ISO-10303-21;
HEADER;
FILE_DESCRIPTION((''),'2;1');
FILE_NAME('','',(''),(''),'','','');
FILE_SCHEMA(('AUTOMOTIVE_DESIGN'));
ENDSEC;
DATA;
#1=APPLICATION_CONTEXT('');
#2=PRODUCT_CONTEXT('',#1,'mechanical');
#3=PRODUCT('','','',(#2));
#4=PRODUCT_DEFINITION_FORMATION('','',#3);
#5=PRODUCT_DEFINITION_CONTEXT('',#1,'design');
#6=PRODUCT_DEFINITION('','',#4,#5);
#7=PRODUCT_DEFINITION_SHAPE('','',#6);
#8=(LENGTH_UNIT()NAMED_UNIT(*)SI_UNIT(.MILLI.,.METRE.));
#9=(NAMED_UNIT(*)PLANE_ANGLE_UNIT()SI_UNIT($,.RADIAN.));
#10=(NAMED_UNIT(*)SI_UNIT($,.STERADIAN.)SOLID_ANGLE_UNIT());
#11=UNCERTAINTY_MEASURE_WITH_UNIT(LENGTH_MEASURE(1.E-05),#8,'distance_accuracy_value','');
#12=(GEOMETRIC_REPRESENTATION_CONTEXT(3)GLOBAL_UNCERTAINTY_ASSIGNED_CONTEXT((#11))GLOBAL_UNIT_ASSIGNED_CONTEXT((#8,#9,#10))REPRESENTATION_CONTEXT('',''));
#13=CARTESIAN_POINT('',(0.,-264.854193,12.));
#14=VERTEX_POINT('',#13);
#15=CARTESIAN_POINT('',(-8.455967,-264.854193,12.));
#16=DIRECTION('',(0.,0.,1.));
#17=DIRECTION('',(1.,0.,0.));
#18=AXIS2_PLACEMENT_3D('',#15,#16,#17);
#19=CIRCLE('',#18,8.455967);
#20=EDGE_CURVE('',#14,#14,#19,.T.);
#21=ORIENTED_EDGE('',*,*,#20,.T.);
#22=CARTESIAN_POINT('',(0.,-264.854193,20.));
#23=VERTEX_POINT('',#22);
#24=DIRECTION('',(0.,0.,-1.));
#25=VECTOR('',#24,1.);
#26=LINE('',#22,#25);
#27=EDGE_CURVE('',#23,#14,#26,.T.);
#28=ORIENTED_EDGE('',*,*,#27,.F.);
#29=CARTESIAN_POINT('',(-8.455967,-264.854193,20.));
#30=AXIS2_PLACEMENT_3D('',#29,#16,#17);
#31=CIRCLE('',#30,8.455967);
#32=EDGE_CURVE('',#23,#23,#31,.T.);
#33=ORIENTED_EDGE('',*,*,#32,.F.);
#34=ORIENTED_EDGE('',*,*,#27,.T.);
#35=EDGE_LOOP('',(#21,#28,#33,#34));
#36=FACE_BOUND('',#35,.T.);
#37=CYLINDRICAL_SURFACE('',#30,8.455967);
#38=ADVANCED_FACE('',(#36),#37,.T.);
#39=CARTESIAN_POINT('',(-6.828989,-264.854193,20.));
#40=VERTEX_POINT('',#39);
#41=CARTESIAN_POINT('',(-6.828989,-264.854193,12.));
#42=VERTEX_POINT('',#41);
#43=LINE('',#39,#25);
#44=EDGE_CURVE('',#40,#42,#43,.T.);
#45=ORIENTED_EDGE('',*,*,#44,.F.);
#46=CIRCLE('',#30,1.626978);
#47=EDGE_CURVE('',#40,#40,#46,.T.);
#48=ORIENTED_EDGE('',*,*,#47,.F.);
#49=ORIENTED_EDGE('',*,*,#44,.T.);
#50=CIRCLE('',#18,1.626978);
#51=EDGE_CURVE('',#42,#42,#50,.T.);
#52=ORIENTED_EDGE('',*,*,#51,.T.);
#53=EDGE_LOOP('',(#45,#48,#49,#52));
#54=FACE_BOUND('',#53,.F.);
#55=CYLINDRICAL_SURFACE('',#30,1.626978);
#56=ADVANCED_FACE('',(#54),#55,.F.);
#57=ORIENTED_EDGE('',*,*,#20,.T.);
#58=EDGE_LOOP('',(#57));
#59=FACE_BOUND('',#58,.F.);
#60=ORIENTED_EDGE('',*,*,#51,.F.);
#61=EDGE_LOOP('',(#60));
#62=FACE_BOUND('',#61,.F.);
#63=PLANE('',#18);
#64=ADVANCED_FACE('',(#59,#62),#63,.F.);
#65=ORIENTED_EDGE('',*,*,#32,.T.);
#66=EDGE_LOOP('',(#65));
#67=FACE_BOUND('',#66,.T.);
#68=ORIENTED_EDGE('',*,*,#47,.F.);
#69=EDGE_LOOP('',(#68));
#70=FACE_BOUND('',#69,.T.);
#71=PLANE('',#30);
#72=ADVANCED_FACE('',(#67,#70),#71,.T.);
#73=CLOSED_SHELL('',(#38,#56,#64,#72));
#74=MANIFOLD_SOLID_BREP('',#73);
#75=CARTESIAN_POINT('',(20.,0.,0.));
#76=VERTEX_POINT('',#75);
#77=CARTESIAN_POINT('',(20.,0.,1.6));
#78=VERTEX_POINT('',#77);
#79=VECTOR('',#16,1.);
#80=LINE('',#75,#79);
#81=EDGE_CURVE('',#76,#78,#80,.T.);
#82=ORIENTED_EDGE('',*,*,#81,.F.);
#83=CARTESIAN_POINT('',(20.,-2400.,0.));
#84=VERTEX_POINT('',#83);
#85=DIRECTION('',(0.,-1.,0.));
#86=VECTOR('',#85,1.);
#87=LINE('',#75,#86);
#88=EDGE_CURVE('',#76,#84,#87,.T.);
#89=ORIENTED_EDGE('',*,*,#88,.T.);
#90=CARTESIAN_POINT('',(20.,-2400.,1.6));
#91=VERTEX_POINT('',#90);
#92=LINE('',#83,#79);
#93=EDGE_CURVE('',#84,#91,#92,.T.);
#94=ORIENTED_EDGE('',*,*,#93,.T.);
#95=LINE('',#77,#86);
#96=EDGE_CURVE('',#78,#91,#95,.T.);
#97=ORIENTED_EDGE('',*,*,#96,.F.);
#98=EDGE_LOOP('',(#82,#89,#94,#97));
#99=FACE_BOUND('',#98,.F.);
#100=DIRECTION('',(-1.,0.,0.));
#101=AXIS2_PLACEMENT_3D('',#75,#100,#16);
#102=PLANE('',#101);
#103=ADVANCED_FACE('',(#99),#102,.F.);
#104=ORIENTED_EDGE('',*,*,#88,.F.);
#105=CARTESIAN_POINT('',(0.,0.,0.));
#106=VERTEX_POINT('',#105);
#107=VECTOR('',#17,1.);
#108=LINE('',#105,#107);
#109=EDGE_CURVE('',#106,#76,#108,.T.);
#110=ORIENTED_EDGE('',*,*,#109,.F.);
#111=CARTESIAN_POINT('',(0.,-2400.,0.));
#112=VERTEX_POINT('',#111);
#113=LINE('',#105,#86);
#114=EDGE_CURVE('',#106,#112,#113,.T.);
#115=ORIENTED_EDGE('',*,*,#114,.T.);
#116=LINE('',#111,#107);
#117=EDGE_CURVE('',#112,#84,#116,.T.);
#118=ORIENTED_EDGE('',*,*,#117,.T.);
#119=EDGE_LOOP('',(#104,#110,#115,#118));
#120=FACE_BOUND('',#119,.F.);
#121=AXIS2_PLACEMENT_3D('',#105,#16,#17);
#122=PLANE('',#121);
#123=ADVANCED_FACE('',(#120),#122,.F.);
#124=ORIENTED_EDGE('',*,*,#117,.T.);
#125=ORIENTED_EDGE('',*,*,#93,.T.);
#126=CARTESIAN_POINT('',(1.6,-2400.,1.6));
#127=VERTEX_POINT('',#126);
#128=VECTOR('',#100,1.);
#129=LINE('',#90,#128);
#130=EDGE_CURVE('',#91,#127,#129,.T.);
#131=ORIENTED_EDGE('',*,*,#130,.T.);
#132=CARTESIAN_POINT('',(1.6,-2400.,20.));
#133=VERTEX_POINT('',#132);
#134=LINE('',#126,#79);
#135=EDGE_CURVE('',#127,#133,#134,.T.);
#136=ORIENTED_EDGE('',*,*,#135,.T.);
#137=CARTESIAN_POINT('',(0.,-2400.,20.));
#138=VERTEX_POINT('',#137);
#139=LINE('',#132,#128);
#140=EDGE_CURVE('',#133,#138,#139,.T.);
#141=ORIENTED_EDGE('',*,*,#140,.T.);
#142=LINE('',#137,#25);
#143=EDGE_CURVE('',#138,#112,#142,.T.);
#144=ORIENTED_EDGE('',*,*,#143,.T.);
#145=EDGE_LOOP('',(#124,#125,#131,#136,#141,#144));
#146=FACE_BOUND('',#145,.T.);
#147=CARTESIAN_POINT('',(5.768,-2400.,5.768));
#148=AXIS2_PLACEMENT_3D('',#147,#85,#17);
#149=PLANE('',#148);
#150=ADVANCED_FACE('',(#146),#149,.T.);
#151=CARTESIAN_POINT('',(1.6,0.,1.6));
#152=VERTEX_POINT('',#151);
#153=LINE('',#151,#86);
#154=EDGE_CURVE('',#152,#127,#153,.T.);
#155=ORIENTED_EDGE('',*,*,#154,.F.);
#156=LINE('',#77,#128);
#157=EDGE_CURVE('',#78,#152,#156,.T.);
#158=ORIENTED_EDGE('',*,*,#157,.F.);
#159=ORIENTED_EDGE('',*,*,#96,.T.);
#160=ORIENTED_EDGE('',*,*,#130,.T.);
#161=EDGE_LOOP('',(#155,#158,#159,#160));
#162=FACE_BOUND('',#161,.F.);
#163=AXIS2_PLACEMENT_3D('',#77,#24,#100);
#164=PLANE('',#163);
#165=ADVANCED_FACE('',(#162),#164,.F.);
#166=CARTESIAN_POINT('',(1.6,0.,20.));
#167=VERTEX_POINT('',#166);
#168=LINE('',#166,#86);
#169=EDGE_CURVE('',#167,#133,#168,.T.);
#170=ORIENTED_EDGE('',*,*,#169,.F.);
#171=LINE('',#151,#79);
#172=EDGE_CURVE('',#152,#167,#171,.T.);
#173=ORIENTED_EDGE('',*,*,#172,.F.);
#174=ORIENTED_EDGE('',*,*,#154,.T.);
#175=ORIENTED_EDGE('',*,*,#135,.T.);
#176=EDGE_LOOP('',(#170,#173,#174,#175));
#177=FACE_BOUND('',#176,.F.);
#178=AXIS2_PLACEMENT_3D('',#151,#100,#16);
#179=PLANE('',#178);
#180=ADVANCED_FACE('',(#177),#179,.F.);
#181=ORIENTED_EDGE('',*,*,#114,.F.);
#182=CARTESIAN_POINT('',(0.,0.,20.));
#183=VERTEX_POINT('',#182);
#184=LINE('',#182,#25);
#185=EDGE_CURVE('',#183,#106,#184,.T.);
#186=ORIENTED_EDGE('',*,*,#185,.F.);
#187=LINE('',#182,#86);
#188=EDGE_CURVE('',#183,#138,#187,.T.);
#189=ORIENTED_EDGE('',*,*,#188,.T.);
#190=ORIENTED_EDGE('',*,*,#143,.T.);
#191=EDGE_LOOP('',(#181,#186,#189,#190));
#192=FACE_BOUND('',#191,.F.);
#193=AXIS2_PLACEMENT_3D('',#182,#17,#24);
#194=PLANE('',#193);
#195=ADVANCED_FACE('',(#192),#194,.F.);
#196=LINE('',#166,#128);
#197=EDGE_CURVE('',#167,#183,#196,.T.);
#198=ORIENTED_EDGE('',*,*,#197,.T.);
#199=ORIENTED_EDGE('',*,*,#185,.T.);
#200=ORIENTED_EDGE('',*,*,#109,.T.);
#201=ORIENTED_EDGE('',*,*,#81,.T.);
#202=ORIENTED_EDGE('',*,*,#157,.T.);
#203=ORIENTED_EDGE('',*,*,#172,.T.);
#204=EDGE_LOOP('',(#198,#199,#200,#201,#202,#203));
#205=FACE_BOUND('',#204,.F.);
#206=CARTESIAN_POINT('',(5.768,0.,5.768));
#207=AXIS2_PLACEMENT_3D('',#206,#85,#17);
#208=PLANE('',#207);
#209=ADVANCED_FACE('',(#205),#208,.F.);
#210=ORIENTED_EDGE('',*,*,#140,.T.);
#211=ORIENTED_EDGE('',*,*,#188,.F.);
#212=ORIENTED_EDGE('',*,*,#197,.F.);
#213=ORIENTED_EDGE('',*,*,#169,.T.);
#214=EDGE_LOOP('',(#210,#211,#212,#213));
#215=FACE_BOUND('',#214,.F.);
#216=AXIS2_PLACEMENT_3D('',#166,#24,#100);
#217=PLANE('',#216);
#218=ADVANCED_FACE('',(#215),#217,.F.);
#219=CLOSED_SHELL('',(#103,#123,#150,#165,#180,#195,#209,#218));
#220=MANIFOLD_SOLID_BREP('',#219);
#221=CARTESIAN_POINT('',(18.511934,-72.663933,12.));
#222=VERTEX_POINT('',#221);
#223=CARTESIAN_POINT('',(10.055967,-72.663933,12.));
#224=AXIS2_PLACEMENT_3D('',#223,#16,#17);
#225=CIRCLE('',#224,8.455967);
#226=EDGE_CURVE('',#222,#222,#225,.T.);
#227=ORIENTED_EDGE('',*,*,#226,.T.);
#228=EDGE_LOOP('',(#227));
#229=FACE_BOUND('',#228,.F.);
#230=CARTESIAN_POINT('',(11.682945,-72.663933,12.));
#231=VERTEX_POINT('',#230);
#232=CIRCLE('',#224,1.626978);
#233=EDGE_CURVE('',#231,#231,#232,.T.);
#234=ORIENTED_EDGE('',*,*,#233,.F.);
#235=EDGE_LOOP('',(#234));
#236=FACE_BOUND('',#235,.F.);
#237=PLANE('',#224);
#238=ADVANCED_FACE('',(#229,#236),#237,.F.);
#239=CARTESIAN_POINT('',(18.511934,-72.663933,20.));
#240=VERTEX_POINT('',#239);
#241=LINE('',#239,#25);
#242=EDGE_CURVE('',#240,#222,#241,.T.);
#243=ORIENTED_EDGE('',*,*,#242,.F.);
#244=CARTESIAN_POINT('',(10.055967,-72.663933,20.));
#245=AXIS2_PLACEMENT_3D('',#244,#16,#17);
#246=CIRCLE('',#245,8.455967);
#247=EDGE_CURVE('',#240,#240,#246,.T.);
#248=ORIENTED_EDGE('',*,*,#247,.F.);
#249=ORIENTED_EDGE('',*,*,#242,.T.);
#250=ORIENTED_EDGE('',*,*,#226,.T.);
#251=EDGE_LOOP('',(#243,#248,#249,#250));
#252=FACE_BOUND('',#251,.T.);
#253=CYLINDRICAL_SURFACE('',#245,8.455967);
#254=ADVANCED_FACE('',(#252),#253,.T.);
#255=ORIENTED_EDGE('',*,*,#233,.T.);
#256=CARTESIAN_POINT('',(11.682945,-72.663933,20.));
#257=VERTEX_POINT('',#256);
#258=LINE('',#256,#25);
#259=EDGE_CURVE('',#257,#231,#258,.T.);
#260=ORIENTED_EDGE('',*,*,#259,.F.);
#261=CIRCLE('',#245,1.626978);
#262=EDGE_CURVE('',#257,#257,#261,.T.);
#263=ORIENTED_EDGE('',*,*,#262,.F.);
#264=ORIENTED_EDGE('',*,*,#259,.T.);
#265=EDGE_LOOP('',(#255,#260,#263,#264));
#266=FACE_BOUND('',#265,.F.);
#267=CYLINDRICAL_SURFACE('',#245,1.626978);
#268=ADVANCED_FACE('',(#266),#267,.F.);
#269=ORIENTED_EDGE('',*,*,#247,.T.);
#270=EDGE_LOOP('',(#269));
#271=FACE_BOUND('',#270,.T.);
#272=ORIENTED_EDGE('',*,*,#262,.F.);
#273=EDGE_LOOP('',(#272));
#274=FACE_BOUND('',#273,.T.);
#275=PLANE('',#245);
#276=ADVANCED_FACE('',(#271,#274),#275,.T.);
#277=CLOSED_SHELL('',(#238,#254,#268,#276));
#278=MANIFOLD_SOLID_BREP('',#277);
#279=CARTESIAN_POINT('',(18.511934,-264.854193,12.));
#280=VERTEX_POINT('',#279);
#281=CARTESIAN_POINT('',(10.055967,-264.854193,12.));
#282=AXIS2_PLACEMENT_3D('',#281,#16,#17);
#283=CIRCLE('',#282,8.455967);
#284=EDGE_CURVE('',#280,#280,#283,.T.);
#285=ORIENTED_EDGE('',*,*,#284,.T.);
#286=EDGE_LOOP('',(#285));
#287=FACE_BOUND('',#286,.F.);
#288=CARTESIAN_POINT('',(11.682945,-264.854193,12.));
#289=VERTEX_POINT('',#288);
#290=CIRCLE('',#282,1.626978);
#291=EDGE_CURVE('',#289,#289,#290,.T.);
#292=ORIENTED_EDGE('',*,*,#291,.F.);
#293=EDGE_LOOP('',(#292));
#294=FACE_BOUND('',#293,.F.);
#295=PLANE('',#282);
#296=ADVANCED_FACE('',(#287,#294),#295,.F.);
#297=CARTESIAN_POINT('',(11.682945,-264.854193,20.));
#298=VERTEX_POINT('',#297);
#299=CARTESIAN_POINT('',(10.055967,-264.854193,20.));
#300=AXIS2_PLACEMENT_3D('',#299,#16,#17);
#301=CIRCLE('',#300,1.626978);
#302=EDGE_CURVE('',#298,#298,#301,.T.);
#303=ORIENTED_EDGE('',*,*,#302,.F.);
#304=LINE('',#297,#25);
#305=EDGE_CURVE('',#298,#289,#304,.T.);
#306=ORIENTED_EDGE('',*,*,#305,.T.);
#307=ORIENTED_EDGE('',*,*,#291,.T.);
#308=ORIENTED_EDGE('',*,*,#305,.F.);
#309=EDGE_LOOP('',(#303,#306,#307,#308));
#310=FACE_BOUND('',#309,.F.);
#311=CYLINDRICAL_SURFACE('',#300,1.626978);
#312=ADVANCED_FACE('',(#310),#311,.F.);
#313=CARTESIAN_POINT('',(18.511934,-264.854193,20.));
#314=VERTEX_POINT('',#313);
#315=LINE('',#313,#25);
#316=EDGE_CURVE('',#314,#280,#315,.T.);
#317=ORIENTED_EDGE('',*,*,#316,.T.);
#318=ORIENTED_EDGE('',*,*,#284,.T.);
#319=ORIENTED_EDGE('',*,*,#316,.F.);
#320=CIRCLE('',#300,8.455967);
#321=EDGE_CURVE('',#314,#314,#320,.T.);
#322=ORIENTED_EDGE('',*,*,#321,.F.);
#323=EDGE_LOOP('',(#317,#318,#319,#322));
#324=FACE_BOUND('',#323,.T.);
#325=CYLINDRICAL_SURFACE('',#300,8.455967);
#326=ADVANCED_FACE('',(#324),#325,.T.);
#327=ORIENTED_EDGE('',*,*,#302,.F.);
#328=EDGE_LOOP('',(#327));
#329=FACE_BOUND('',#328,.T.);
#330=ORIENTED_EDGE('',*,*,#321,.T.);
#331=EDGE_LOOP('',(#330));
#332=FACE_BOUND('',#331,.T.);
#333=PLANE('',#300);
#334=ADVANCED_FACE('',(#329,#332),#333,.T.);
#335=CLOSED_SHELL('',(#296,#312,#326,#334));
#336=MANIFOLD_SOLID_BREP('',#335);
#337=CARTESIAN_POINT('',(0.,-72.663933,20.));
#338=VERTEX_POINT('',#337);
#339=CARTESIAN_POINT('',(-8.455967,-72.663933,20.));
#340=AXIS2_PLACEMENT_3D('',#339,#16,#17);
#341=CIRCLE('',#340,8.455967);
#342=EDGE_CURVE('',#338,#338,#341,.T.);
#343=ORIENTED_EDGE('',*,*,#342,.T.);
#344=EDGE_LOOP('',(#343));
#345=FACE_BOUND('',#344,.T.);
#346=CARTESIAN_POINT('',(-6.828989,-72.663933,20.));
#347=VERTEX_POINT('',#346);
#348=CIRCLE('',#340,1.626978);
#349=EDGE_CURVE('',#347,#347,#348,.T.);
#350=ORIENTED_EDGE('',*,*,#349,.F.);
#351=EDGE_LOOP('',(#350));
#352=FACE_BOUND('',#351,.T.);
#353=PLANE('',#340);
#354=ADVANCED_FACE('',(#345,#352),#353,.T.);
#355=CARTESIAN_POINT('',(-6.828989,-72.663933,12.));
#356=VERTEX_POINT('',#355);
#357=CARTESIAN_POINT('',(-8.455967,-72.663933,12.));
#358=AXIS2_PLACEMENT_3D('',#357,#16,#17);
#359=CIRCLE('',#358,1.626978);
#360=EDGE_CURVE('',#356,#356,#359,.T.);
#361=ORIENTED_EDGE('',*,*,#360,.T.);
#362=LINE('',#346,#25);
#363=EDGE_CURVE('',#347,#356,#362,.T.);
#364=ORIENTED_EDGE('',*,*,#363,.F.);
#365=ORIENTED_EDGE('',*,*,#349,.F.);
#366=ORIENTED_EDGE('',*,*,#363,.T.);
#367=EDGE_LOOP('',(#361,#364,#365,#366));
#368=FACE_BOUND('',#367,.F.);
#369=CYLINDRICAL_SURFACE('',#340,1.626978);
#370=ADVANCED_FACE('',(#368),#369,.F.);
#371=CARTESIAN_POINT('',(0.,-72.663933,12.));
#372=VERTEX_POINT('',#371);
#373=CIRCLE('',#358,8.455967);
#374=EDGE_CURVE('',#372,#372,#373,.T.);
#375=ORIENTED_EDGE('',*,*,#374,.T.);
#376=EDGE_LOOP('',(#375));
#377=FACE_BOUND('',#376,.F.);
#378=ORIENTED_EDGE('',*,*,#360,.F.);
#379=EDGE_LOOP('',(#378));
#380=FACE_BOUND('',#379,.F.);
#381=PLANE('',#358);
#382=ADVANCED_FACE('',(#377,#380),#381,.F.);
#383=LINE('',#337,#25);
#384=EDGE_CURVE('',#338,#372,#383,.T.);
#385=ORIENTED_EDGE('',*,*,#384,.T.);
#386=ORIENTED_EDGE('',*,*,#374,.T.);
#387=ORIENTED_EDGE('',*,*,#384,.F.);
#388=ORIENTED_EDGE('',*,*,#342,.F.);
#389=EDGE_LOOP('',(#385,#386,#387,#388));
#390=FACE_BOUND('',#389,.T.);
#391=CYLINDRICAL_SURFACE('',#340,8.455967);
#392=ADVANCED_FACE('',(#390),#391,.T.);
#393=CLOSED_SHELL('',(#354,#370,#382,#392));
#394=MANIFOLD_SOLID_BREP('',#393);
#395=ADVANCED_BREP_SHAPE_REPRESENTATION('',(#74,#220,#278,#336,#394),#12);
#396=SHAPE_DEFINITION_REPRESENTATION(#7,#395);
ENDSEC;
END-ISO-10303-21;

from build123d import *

# Parameters (mm, degrees)
F1_DEPTH = 2400
F2_R     = 8.455967
F2_R_2   = 1.626978
F3_DEPTH = 8


with BuildPart() as f1:
    # F0 (on Front) → F1 (new body)
    with BuildSketch(Plane.XZ):
        Polygon((0, 20), (0, 0), (20, 0), (20, 1.6), (1.6, 1.6), (1.6, 20), align=None)
    extrude(amount=F1_DEPTH)


with BuildPart() as f3:
    # F2 (on face) → F3 (new body)
    with BuildSketch(Plane.XY.offset(20)):
        with Locations((-8.455967, -264.854193)):
            Circle(F2_R)
        with Locations((-8.455967, -264.854193)):
            Circle(F2_R_2, mode=Mode.SUBTRACT)
        with Locations((10.055967, -264.854193)):
            Circle(F2_R)
        with Locations((10.055967, -264.854193)):
            Circle(F2_R_2, mode=Mode.SUBTRACT)
        with Locations((-8.455967, -72.663933)):
            Circle(F2_R)
        with Locations((-8.455967, -72.663933)):
            Circle(F2_R_2, mode=Mode.SUBTRACT)
        with Locations((10.055967, -72.663933)):
            Circle(F2_R)
        with Locations((10.055967, -72.663933)):
            Circle(F2_R_2, mode=Mode.SUBTRACT)
    extrude(amount=-F3_DEPTH)


solid = Compound([f1.part, f3.part])
